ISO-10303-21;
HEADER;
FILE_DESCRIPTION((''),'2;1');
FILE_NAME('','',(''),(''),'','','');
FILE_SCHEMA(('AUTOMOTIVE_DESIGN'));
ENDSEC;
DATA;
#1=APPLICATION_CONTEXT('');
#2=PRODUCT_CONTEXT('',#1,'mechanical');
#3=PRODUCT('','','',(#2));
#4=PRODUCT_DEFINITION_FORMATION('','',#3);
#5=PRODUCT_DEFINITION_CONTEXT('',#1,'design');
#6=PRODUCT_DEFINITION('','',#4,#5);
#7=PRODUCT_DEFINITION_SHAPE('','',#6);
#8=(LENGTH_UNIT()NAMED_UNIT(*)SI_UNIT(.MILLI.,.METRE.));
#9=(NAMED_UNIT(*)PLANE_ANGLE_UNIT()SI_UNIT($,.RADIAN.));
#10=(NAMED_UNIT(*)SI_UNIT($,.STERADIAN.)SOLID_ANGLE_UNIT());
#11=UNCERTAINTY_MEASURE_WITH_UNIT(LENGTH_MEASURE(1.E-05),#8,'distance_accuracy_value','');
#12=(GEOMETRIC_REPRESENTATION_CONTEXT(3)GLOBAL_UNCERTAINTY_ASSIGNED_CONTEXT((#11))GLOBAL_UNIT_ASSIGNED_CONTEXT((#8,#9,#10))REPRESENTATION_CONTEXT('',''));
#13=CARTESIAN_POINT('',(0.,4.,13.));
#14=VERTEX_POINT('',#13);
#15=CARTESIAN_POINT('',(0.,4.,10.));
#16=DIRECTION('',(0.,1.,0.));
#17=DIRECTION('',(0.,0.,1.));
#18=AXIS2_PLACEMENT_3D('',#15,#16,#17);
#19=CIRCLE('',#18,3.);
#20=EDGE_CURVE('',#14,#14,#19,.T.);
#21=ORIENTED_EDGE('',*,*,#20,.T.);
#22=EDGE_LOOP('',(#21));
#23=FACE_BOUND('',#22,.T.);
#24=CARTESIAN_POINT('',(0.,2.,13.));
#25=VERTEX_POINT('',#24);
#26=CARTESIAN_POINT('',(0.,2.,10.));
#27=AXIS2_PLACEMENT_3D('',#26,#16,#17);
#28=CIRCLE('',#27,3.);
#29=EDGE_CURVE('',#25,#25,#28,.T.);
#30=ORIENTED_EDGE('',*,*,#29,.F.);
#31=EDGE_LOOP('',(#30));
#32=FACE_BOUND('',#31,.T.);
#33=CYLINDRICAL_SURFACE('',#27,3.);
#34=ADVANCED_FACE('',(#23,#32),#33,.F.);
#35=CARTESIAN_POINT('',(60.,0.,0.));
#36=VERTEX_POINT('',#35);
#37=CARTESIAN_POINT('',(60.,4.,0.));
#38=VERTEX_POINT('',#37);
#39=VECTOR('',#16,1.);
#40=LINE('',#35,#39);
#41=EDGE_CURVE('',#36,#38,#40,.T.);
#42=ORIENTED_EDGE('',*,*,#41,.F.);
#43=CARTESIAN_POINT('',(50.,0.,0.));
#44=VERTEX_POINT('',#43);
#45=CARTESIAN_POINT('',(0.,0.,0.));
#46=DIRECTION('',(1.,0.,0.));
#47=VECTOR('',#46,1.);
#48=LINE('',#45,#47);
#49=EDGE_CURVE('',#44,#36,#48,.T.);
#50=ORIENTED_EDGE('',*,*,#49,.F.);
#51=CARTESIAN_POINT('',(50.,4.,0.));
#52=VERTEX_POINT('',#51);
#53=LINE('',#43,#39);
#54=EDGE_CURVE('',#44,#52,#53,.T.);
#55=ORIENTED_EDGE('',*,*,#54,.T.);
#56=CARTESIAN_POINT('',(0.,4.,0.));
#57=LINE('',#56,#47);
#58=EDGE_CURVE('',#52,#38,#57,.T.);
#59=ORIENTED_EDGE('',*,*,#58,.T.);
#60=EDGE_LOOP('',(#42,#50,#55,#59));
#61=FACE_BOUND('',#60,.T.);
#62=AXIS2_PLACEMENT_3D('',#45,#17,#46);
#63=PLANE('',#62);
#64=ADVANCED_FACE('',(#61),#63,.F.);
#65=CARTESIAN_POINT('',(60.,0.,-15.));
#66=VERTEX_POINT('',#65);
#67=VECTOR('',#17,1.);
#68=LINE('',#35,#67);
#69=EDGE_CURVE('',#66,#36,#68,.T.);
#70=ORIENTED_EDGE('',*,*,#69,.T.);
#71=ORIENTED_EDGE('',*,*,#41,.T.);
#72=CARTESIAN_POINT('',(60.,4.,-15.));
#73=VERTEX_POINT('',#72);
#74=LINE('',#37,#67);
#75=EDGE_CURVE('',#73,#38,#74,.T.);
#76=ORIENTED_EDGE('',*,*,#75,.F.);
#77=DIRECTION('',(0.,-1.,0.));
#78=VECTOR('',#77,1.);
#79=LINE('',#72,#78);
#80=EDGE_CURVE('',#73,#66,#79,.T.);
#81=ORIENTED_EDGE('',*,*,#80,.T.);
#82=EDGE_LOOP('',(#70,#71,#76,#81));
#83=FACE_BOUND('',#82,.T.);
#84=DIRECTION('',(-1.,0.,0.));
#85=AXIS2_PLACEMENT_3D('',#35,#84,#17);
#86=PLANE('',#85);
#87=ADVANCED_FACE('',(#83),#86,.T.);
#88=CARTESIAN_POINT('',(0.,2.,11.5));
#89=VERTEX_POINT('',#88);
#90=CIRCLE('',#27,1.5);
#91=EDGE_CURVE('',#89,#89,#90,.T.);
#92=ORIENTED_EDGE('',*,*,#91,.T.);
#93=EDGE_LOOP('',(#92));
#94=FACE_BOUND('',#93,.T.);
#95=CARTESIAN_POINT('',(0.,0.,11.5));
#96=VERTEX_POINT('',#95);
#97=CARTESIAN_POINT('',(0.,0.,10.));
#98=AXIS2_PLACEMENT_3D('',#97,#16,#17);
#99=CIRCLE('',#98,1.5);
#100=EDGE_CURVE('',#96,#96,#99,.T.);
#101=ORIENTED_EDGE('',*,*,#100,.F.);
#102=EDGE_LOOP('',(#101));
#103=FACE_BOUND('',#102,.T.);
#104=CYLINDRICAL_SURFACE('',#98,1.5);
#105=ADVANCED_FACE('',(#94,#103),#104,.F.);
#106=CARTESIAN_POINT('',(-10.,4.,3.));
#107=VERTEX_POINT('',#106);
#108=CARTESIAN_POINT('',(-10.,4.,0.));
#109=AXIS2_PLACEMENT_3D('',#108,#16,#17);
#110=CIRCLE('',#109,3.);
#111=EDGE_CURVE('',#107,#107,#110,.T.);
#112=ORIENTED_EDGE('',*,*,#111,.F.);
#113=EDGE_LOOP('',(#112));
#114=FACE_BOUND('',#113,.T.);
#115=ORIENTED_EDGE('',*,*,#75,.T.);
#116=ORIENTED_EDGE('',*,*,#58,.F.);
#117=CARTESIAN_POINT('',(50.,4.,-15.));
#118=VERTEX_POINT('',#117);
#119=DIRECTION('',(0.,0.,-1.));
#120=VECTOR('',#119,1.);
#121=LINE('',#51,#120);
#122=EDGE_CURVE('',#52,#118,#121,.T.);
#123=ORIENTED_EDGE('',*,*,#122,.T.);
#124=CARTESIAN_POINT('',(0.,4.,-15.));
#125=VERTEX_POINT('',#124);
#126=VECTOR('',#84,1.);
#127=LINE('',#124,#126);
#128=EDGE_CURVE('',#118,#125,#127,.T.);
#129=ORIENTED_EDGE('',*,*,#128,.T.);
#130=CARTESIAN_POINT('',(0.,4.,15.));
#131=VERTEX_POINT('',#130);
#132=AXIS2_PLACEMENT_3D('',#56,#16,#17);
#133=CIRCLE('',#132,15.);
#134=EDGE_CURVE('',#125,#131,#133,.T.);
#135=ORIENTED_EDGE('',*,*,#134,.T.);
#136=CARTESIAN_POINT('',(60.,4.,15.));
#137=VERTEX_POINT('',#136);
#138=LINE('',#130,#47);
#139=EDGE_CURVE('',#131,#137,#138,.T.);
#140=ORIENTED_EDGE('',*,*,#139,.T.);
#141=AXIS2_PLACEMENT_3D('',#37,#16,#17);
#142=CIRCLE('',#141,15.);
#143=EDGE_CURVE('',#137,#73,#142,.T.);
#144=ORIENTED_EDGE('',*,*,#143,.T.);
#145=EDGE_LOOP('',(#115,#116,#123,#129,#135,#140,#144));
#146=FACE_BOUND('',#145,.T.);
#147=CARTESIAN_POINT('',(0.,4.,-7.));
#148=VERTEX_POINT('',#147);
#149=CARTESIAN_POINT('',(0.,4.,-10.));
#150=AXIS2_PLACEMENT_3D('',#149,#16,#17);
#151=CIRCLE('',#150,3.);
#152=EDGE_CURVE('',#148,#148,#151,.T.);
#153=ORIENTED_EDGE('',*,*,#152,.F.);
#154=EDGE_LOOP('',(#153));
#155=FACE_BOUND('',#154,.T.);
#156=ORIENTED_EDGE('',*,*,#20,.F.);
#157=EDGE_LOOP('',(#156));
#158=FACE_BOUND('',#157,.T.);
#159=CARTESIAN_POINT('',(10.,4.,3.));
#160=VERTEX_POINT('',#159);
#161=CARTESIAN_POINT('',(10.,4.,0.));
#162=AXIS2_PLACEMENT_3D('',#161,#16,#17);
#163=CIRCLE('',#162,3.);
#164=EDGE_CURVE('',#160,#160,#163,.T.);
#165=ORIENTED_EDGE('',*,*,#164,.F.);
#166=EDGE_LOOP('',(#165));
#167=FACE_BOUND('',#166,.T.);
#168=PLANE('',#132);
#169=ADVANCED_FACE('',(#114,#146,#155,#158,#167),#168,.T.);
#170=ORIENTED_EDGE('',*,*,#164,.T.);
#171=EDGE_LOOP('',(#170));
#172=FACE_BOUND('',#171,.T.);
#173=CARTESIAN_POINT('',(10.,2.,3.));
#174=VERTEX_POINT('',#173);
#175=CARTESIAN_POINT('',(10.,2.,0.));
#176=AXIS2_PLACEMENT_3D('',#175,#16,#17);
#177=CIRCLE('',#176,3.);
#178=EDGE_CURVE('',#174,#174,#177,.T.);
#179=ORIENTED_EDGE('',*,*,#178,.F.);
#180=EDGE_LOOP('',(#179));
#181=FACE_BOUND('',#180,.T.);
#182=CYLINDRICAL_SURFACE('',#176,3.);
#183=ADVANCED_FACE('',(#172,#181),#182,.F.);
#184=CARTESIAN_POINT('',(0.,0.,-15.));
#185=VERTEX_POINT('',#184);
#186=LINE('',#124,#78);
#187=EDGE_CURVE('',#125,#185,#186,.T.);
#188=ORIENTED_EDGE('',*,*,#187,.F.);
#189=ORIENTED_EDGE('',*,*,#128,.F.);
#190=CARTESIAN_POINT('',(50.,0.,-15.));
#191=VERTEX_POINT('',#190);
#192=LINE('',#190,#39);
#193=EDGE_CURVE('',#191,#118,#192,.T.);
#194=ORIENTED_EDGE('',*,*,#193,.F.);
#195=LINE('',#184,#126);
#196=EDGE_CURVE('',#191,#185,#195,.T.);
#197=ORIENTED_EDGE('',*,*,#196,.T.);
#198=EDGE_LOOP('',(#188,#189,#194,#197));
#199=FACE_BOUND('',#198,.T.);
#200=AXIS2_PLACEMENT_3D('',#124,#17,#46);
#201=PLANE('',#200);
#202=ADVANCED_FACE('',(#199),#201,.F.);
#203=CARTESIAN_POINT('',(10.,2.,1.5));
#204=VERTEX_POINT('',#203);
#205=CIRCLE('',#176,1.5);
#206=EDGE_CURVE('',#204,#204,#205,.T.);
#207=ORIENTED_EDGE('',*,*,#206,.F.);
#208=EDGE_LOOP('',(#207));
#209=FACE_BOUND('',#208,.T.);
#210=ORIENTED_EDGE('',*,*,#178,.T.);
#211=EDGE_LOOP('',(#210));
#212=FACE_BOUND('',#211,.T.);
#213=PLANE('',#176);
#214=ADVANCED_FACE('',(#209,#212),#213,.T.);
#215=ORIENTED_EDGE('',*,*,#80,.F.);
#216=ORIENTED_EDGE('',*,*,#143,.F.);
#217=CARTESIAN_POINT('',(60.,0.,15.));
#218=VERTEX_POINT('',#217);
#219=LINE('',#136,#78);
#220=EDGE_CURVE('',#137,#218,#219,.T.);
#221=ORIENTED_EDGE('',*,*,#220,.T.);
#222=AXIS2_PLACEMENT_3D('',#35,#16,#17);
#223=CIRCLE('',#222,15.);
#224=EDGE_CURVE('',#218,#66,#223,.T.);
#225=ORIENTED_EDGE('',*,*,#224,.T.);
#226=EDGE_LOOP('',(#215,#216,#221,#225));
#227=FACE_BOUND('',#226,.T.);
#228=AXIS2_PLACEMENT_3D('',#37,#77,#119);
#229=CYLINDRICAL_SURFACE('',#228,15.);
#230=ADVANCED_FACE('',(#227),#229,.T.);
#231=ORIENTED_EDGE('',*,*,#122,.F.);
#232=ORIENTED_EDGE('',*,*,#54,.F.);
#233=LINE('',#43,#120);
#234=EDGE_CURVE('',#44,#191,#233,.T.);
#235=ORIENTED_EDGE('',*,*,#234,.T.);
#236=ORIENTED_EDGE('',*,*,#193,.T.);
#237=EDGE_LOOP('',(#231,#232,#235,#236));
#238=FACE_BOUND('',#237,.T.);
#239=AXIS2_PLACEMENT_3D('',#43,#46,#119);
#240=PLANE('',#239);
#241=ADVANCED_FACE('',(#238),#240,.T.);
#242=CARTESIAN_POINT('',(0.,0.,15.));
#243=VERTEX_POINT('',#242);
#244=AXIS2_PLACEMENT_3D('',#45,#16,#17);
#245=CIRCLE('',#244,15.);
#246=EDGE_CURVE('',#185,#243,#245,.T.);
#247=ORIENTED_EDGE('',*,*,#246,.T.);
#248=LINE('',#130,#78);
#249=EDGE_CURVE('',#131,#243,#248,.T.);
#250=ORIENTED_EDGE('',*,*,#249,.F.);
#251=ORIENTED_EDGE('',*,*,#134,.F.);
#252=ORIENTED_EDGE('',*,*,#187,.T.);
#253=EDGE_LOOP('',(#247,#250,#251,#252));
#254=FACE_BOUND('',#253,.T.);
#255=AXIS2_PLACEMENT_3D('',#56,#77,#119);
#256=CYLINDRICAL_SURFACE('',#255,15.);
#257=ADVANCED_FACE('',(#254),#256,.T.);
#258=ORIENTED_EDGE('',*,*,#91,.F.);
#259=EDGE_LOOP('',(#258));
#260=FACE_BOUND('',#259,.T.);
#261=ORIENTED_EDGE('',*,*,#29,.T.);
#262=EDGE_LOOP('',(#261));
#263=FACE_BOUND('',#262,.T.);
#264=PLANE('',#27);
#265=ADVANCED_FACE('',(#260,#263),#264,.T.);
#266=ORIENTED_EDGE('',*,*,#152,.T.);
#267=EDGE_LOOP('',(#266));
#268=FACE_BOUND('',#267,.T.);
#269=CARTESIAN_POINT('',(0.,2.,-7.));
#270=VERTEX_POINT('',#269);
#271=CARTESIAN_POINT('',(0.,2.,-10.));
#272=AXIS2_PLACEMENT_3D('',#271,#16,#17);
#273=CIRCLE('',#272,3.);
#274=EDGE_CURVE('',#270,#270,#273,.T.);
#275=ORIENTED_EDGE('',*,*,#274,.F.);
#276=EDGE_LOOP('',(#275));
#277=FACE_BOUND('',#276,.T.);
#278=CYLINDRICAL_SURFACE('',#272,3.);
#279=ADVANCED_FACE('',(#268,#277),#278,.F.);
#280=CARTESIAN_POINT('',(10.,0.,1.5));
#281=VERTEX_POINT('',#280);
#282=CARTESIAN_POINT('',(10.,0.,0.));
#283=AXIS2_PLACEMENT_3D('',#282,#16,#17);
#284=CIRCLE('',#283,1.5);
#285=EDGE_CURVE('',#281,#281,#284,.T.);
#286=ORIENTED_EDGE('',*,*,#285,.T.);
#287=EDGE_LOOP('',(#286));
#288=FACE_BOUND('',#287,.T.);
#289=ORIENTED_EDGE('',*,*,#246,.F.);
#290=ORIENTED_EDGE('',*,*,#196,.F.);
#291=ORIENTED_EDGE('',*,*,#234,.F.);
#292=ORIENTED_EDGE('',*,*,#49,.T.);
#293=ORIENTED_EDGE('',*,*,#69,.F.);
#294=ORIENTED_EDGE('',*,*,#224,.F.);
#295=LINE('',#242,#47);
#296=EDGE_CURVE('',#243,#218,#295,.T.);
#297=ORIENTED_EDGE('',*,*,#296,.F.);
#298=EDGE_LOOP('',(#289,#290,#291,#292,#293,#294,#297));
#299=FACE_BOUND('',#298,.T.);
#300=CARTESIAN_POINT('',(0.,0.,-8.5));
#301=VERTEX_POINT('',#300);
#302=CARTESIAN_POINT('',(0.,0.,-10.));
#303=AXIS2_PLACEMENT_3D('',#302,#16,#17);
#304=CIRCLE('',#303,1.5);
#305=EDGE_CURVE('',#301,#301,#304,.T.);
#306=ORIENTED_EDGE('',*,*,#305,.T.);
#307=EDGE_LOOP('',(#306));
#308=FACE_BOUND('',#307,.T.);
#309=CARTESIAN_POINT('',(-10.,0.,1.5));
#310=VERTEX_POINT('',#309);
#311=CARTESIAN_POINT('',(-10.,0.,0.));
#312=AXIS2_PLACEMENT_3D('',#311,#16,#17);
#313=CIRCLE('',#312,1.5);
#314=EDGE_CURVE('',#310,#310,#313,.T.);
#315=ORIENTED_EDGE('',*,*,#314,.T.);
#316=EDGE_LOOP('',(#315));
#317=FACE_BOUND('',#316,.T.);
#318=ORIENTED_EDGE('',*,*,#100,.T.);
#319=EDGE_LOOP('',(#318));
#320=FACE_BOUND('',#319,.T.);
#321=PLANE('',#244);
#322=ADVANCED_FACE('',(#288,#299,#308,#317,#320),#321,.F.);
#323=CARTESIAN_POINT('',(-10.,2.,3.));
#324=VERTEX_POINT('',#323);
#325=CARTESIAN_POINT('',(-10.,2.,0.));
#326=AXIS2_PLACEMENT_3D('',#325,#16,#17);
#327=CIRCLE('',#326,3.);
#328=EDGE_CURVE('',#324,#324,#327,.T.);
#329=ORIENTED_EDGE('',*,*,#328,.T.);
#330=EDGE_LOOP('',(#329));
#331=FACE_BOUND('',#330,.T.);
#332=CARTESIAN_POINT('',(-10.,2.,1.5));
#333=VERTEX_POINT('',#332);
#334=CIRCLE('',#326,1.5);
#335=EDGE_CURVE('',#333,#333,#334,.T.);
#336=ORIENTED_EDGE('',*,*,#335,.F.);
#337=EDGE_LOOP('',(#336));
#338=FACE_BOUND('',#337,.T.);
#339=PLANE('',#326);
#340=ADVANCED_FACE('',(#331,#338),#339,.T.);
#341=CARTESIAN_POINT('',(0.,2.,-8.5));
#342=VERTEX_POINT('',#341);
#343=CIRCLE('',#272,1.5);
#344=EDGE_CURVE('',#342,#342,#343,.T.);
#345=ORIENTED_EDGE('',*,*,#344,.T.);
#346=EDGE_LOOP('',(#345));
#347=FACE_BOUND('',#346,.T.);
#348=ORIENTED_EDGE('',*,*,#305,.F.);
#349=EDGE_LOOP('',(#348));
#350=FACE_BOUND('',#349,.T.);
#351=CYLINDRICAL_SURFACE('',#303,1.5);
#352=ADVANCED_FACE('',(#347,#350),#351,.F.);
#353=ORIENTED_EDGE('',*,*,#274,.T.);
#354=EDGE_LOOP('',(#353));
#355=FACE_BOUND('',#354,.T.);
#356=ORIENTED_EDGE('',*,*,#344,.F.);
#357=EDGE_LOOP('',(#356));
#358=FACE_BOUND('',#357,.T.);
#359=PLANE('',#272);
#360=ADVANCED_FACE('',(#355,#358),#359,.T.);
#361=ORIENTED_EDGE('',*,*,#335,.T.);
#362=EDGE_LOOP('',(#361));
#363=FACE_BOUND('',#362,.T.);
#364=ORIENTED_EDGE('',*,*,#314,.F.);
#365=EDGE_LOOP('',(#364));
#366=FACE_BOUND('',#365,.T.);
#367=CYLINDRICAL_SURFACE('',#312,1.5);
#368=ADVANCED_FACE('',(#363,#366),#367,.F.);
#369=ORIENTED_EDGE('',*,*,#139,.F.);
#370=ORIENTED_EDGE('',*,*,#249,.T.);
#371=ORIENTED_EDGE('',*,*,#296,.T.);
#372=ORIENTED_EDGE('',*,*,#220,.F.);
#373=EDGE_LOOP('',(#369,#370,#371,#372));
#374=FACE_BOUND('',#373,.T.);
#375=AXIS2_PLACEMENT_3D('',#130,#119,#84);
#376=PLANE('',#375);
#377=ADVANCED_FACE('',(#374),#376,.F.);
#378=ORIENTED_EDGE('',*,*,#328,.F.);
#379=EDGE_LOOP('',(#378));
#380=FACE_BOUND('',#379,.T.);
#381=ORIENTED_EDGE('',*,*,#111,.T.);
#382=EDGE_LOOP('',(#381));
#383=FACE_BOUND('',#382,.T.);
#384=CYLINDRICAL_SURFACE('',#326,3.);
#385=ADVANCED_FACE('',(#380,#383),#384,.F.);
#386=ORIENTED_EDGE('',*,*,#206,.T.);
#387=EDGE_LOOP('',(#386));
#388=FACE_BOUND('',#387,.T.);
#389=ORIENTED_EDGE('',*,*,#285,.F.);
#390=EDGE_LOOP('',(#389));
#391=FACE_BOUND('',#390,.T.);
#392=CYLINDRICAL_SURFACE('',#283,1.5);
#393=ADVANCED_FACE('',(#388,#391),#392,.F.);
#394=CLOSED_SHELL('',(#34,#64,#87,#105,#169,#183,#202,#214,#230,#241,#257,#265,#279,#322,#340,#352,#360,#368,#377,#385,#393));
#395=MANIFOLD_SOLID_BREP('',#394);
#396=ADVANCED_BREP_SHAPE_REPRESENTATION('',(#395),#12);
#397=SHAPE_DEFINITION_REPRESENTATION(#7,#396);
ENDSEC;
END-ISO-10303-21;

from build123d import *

# Parameters (mm, degrees)
BOSS_EXTRUDE1_DEPTH = 4
SKETCH2_W           = 10
SKETCH2_H           = 15
CUT_EXTRUDE1_DEPTH  = 4
SKETCH3_R           = 3
CUT_EXTRUDE2_DEPTH  = 2
SKETCH4_R           = 1.5
CUT_EXTRUDE3_DEPTH  = 2


with BuildPart() as part:
    # Sketch1 → Boss-Extrude1 (new body)
    with BuildSketch(Plane(origin=(0, 0, 0), x_dir=(1, 0, 0), z_dir=(0, 1, 0))):
        with BuildLine():
            Line((0, 15), (60, 15))
            ThreePointArc((60, 15), (75, 0), (60, -15))
            Line((60, -15), (0, -15))
            ThreePointArc((0, -15), (-15, 0), (0, 15))
        make_face()
    extrude(amount=BOSS_EXTRUDE1_DEPTH)

    # Sketch2 → Cut-Extrude1 (cut)
    with BuildSketch(Plane(origin=(0, 4, 0), x_dir=(1, 0, 0), z_dir=(0, 1, 0))):
        with Locations((55, 7.5)):
            Rectangle(SKETCH2_W, SKETCH2_H)
    extrude(amount=-CUT_EXTRUDE1_DEPTH, mode=Mode.SUBTRACT)

    # Sketch3 → Cut-Extrude2 (cut)
    with BuildSketch(Plane(origin=(0, 4, 0), x_dir=(1, 0, 0), z_dir=(0, 1, 0))):
        with Locations((-10, 0)):
            Circle(SKETCH3_R)
        with Locations((0, 10)):
            Circle(SKETCH3_R)
        with Locations((10, 0)):
            Circle(SKETCH3_R)
        with Locations((0, -10)):
            Circle(SKETCH3_R)
    extrude(amount=-CUT_EXTRUDE2_DEPTH, mode=Mode.SUBTRACT)

    # Sketch4 → Cut-Extrude3 (cut)
    with BuildSketch(Plane(origin=(0, 2, 0), x_dir=(1, 0, 0), z_dir=(0, 1, 0))):
        with Locations((-10, 0)):
            Circle(SKETCH4_R)
        with Locations((0, 10)):
            Circle(SKETCH4_R)
        with Locations((10, 0)):
            Circle(SKETCH4_R)
        with Locations((0, -10)):
            Circle(SKETCH4_R)
    extrude(amount=-CUT_EXTRUDE3_DEPTH, mode=Mode.SUBTRACT)


solid = part.part
